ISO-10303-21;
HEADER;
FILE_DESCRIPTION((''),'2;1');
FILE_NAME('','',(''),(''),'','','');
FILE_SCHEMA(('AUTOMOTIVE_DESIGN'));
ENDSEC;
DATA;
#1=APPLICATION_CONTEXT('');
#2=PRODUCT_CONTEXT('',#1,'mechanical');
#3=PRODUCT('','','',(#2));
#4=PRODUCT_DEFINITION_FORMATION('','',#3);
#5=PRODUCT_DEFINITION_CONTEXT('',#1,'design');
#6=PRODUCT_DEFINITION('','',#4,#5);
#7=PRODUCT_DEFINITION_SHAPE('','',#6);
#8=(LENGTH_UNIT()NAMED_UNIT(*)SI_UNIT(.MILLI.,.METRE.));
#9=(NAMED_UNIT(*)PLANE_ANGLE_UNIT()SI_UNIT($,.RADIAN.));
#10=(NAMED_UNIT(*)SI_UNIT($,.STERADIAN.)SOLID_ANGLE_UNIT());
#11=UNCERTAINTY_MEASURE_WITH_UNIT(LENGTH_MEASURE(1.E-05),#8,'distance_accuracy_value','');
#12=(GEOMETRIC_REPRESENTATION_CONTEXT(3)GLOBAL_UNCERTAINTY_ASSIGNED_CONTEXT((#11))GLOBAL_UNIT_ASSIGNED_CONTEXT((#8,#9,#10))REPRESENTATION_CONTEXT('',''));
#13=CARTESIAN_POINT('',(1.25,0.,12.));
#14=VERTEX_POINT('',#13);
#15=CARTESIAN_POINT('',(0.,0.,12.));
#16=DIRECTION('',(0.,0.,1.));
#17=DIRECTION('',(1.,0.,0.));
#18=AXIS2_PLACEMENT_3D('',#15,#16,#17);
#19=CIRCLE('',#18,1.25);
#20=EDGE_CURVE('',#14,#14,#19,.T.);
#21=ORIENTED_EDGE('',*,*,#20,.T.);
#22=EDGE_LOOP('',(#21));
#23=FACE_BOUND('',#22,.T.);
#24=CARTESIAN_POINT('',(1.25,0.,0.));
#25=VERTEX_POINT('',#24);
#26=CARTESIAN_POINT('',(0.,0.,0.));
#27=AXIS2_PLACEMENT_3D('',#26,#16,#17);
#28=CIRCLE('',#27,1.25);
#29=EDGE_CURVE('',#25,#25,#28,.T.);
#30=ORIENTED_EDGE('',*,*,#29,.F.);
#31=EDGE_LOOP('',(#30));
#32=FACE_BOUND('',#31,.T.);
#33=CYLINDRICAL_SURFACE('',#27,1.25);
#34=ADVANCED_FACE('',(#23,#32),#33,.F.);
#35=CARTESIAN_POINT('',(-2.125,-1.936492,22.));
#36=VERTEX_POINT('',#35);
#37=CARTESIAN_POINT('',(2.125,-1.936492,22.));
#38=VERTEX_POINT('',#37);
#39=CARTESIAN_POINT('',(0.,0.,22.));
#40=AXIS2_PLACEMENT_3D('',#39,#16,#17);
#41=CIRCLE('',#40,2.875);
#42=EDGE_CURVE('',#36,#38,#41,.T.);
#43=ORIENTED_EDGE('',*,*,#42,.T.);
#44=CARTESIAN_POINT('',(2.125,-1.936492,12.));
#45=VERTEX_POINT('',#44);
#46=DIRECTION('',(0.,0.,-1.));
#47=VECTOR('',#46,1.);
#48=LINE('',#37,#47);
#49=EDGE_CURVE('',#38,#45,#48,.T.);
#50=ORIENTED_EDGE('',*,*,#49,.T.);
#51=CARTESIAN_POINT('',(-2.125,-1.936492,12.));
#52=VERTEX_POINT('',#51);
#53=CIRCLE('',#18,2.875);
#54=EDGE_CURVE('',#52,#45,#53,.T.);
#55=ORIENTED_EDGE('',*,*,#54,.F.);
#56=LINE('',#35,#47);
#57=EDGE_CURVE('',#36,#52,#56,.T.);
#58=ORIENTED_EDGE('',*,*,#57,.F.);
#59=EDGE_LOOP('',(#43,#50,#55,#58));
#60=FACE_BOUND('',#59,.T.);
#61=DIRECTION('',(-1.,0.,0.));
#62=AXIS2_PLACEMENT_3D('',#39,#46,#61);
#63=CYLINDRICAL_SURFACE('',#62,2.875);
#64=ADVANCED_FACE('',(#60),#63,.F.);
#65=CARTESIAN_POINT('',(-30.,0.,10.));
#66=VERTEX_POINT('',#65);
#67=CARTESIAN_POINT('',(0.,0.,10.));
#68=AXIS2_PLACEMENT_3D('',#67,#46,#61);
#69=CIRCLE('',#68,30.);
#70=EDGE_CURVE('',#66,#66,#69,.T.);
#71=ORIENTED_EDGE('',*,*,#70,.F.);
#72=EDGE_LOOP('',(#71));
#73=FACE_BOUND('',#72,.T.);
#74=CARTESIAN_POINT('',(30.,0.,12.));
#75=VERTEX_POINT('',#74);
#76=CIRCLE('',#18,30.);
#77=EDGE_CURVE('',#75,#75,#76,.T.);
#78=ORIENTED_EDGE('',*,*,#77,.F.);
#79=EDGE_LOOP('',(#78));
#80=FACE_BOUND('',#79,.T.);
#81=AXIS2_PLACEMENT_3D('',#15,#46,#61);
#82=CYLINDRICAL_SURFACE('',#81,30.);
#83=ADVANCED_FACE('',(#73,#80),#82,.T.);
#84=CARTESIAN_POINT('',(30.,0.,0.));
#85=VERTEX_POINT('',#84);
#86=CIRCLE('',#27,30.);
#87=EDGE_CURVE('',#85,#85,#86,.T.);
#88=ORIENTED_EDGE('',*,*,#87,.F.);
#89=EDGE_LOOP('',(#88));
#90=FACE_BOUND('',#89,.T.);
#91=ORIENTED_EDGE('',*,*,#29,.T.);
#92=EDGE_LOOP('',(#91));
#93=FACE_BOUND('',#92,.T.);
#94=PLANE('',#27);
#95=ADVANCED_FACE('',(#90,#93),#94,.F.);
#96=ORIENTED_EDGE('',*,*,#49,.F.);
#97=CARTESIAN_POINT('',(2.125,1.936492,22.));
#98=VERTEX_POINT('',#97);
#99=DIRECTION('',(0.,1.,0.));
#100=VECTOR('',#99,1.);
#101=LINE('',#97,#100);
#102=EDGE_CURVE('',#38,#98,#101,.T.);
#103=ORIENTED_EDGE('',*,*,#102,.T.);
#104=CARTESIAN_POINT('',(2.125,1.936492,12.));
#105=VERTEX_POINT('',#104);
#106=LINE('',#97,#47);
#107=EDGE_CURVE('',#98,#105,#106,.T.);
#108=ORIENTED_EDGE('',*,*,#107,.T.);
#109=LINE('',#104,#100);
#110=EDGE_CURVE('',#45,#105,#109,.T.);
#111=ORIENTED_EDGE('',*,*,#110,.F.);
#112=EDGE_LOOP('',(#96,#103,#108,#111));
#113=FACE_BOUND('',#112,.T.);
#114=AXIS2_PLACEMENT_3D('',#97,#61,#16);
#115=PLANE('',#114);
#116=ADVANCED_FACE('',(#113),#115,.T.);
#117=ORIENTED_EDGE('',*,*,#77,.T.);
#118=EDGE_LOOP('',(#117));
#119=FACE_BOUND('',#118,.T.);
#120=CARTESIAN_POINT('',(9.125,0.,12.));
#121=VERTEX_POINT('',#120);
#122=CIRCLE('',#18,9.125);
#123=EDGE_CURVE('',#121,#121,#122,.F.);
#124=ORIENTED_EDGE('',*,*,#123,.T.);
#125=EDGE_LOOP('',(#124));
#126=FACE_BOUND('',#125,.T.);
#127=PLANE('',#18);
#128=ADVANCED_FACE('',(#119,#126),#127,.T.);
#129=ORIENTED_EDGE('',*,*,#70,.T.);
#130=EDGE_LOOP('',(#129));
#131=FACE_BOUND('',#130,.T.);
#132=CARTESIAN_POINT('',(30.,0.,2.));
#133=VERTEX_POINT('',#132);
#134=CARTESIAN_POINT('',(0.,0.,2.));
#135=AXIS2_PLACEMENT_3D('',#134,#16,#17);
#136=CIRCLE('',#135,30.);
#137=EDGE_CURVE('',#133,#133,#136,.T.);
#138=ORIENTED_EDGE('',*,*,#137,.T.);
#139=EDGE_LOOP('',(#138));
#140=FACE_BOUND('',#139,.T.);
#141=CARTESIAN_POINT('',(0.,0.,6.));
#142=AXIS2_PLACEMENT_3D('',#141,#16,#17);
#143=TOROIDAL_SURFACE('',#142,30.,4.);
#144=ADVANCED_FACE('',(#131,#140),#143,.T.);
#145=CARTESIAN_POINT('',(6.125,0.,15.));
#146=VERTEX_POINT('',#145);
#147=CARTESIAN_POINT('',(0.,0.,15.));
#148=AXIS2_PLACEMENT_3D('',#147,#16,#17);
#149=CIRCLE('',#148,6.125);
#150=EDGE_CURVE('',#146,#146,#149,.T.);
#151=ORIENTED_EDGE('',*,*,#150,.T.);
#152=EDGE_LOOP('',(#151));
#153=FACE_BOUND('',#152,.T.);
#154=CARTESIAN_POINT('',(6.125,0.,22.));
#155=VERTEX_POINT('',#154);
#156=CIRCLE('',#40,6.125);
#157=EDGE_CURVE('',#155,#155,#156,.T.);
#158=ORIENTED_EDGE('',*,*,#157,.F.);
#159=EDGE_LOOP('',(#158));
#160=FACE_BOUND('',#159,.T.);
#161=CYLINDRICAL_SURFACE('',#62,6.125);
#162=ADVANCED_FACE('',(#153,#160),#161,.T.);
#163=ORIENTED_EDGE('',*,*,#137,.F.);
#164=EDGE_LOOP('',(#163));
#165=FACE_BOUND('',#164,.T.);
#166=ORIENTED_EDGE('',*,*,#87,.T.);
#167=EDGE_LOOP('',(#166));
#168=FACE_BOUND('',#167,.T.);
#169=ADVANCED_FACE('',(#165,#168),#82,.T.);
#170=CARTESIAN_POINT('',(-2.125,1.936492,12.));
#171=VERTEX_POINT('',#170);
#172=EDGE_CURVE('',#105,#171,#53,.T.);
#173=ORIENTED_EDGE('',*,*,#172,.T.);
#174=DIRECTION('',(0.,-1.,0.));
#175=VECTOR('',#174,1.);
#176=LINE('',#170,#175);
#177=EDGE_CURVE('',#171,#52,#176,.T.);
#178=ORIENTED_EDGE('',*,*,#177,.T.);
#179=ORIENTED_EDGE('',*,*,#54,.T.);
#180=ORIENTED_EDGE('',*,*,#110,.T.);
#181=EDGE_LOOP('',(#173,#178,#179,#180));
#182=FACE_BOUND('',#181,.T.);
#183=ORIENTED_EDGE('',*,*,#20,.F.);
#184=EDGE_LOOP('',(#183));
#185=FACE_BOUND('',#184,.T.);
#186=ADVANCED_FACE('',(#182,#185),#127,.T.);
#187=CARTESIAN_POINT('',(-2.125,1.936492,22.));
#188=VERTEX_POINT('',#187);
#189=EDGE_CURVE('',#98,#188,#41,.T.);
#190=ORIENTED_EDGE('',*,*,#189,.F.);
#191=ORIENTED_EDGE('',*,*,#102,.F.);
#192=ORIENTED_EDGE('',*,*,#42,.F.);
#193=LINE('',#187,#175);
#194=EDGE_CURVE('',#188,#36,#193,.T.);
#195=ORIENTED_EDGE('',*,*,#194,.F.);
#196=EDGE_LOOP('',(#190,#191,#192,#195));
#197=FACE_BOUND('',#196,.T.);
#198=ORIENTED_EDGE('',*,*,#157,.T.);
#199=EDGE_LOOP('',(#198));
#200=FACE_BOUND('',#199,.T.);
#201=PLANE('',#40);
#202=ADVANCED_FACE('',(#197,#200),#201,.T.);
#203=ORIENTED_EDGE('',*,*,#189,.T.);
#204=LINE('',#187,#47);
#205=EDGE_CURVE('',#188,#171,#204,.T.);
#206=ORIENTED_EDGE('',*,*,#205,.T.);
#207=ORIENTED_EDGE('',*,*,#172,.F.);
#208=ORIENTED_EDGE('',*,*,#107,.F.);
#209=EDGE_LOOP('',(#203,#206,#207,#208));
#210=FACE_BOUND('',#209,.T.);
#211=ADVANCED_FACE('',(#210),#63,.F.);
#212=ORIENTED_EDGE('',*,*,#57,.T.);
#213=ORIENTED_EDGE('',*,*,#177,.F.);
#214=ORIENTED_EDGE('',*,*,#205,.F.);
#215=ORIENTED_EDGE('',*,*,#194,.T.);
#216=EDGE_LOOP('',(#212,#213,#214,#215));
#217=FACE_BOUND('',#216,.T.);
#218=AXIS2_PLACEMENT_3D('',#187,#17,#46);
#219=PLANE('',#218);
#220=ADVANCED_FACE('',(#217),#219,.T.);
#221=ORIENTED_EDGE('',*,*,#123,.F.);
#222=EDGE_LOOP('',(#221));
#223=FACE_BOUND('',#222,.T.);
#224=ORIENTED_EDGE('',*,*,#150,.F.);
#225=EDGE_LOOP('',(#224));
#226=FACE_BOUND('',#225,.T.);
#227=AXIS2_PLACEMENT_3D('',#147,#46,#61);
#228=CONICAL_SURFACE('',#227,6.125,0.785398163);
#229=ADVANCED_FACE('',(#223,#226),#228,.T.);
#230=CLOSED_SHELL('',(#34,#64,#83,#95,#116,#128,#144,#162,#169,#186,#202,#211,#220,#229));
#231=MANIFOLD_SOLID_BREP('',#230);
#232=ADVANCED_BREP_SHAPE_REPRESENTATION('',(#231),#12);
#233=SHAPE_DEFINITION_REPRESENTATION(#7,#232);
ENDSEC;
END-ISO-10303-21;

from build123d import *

# Parameters (mm, degrees)
CROQUIS1_R              = 30
SALIENTE_EXTRUIR1_DEPTH = 12
CROQUIS2_R              = 4
CROQUIS3_R              = 6.125
SALIENTE_EXTRUIR2_DEPTH = 10
CROQUIS4_R              = 1.25
CORTAR_EXTRUIR1_DEPTH   = 45.09081537
CHAFL_N1_SIZE           = 3
CROQUIS5_R              = 4


with BuildPart() as part:
    # Croquis1 → Saliente-Extruir1 (new body)
    with BuildSketch(Plane.XY):
        Circle(CROQUIS1_R)
    extrude(amount=SALIENTE_EXTRUIR1_DEPTH)

    # Croquis2 → Cortar-Revolución1 (revolve, cut)
    with BuildSketch(Plane(origin=(0, 0, 0), x_dir=(1, 0, 0), z_dir=(0, 1, 0))):
        with Locations((-30, -6)):
            Circle(CROQUIS2_R)
    revolve(axis=Axis((0, 0, 0), (0, 0, 1)), mode=Mode.SUBTRACT)

    # Croquis3 → Saliente-Extruir2 (add)
    with BuildSketch(Plane.XY.offset(12)):
        Circle(CROQUIS3_R)
        with BuildLine():
            Line((-2.125, 1.936491673), (-2.125, -1.936491673))
            ThreePointArc((-2.125, -1.936491673), (0, -2.875), (2.125, -1.936491673))
            Line((2.125, -1.936491673), (2.125, 1.936491673))
            ThreePointArc((2.125, 1.936491673), (0, 2.875), (-2.125, 1.936491673))
        make_face(mode=Mode.SUBTRACT)
    extrude(amount=SALIENTE_EXTRUIR2_DEPTH)

    # Croquis4 → Cortar-Extruir1 (cut, through all)
    with BuildSketch(Plane.XY.offset(12)):
        Circle(CROQUIS4_R)
    extrude(amount=-CORTAR_EXTRUIR1_DEPTH, mode=Mode.SUBTRACT)

    # Chaflán1
    chafl_n1_edges = [part.edges().sort_by_distance(p)[0] for p in [
        (-6.125, 0, 12),
    ]]
    chamfer(chafl_n1_edges, length=CHAFL_N1_SIZE)

    # Croquis5 → Revolución1 (revolve)
    with BuildSketch(Plane(origin=(0, 0, 0), x_dir=(0, 0, -1), z_dir=(1, 0, 0)), mode=Mode.PRIVATE) as revoluci_n1_sk:
        with Locations((-6, 30)):
            Circle(CROQUIS5_R)
    revolve(revoluci_n1_sk.sketch.rotate(Axis((0, 0, 0), (0, 0, -1)), 270), axis=Axis((0, 0, 0), (0, 0, -1)))


solid = part.part
